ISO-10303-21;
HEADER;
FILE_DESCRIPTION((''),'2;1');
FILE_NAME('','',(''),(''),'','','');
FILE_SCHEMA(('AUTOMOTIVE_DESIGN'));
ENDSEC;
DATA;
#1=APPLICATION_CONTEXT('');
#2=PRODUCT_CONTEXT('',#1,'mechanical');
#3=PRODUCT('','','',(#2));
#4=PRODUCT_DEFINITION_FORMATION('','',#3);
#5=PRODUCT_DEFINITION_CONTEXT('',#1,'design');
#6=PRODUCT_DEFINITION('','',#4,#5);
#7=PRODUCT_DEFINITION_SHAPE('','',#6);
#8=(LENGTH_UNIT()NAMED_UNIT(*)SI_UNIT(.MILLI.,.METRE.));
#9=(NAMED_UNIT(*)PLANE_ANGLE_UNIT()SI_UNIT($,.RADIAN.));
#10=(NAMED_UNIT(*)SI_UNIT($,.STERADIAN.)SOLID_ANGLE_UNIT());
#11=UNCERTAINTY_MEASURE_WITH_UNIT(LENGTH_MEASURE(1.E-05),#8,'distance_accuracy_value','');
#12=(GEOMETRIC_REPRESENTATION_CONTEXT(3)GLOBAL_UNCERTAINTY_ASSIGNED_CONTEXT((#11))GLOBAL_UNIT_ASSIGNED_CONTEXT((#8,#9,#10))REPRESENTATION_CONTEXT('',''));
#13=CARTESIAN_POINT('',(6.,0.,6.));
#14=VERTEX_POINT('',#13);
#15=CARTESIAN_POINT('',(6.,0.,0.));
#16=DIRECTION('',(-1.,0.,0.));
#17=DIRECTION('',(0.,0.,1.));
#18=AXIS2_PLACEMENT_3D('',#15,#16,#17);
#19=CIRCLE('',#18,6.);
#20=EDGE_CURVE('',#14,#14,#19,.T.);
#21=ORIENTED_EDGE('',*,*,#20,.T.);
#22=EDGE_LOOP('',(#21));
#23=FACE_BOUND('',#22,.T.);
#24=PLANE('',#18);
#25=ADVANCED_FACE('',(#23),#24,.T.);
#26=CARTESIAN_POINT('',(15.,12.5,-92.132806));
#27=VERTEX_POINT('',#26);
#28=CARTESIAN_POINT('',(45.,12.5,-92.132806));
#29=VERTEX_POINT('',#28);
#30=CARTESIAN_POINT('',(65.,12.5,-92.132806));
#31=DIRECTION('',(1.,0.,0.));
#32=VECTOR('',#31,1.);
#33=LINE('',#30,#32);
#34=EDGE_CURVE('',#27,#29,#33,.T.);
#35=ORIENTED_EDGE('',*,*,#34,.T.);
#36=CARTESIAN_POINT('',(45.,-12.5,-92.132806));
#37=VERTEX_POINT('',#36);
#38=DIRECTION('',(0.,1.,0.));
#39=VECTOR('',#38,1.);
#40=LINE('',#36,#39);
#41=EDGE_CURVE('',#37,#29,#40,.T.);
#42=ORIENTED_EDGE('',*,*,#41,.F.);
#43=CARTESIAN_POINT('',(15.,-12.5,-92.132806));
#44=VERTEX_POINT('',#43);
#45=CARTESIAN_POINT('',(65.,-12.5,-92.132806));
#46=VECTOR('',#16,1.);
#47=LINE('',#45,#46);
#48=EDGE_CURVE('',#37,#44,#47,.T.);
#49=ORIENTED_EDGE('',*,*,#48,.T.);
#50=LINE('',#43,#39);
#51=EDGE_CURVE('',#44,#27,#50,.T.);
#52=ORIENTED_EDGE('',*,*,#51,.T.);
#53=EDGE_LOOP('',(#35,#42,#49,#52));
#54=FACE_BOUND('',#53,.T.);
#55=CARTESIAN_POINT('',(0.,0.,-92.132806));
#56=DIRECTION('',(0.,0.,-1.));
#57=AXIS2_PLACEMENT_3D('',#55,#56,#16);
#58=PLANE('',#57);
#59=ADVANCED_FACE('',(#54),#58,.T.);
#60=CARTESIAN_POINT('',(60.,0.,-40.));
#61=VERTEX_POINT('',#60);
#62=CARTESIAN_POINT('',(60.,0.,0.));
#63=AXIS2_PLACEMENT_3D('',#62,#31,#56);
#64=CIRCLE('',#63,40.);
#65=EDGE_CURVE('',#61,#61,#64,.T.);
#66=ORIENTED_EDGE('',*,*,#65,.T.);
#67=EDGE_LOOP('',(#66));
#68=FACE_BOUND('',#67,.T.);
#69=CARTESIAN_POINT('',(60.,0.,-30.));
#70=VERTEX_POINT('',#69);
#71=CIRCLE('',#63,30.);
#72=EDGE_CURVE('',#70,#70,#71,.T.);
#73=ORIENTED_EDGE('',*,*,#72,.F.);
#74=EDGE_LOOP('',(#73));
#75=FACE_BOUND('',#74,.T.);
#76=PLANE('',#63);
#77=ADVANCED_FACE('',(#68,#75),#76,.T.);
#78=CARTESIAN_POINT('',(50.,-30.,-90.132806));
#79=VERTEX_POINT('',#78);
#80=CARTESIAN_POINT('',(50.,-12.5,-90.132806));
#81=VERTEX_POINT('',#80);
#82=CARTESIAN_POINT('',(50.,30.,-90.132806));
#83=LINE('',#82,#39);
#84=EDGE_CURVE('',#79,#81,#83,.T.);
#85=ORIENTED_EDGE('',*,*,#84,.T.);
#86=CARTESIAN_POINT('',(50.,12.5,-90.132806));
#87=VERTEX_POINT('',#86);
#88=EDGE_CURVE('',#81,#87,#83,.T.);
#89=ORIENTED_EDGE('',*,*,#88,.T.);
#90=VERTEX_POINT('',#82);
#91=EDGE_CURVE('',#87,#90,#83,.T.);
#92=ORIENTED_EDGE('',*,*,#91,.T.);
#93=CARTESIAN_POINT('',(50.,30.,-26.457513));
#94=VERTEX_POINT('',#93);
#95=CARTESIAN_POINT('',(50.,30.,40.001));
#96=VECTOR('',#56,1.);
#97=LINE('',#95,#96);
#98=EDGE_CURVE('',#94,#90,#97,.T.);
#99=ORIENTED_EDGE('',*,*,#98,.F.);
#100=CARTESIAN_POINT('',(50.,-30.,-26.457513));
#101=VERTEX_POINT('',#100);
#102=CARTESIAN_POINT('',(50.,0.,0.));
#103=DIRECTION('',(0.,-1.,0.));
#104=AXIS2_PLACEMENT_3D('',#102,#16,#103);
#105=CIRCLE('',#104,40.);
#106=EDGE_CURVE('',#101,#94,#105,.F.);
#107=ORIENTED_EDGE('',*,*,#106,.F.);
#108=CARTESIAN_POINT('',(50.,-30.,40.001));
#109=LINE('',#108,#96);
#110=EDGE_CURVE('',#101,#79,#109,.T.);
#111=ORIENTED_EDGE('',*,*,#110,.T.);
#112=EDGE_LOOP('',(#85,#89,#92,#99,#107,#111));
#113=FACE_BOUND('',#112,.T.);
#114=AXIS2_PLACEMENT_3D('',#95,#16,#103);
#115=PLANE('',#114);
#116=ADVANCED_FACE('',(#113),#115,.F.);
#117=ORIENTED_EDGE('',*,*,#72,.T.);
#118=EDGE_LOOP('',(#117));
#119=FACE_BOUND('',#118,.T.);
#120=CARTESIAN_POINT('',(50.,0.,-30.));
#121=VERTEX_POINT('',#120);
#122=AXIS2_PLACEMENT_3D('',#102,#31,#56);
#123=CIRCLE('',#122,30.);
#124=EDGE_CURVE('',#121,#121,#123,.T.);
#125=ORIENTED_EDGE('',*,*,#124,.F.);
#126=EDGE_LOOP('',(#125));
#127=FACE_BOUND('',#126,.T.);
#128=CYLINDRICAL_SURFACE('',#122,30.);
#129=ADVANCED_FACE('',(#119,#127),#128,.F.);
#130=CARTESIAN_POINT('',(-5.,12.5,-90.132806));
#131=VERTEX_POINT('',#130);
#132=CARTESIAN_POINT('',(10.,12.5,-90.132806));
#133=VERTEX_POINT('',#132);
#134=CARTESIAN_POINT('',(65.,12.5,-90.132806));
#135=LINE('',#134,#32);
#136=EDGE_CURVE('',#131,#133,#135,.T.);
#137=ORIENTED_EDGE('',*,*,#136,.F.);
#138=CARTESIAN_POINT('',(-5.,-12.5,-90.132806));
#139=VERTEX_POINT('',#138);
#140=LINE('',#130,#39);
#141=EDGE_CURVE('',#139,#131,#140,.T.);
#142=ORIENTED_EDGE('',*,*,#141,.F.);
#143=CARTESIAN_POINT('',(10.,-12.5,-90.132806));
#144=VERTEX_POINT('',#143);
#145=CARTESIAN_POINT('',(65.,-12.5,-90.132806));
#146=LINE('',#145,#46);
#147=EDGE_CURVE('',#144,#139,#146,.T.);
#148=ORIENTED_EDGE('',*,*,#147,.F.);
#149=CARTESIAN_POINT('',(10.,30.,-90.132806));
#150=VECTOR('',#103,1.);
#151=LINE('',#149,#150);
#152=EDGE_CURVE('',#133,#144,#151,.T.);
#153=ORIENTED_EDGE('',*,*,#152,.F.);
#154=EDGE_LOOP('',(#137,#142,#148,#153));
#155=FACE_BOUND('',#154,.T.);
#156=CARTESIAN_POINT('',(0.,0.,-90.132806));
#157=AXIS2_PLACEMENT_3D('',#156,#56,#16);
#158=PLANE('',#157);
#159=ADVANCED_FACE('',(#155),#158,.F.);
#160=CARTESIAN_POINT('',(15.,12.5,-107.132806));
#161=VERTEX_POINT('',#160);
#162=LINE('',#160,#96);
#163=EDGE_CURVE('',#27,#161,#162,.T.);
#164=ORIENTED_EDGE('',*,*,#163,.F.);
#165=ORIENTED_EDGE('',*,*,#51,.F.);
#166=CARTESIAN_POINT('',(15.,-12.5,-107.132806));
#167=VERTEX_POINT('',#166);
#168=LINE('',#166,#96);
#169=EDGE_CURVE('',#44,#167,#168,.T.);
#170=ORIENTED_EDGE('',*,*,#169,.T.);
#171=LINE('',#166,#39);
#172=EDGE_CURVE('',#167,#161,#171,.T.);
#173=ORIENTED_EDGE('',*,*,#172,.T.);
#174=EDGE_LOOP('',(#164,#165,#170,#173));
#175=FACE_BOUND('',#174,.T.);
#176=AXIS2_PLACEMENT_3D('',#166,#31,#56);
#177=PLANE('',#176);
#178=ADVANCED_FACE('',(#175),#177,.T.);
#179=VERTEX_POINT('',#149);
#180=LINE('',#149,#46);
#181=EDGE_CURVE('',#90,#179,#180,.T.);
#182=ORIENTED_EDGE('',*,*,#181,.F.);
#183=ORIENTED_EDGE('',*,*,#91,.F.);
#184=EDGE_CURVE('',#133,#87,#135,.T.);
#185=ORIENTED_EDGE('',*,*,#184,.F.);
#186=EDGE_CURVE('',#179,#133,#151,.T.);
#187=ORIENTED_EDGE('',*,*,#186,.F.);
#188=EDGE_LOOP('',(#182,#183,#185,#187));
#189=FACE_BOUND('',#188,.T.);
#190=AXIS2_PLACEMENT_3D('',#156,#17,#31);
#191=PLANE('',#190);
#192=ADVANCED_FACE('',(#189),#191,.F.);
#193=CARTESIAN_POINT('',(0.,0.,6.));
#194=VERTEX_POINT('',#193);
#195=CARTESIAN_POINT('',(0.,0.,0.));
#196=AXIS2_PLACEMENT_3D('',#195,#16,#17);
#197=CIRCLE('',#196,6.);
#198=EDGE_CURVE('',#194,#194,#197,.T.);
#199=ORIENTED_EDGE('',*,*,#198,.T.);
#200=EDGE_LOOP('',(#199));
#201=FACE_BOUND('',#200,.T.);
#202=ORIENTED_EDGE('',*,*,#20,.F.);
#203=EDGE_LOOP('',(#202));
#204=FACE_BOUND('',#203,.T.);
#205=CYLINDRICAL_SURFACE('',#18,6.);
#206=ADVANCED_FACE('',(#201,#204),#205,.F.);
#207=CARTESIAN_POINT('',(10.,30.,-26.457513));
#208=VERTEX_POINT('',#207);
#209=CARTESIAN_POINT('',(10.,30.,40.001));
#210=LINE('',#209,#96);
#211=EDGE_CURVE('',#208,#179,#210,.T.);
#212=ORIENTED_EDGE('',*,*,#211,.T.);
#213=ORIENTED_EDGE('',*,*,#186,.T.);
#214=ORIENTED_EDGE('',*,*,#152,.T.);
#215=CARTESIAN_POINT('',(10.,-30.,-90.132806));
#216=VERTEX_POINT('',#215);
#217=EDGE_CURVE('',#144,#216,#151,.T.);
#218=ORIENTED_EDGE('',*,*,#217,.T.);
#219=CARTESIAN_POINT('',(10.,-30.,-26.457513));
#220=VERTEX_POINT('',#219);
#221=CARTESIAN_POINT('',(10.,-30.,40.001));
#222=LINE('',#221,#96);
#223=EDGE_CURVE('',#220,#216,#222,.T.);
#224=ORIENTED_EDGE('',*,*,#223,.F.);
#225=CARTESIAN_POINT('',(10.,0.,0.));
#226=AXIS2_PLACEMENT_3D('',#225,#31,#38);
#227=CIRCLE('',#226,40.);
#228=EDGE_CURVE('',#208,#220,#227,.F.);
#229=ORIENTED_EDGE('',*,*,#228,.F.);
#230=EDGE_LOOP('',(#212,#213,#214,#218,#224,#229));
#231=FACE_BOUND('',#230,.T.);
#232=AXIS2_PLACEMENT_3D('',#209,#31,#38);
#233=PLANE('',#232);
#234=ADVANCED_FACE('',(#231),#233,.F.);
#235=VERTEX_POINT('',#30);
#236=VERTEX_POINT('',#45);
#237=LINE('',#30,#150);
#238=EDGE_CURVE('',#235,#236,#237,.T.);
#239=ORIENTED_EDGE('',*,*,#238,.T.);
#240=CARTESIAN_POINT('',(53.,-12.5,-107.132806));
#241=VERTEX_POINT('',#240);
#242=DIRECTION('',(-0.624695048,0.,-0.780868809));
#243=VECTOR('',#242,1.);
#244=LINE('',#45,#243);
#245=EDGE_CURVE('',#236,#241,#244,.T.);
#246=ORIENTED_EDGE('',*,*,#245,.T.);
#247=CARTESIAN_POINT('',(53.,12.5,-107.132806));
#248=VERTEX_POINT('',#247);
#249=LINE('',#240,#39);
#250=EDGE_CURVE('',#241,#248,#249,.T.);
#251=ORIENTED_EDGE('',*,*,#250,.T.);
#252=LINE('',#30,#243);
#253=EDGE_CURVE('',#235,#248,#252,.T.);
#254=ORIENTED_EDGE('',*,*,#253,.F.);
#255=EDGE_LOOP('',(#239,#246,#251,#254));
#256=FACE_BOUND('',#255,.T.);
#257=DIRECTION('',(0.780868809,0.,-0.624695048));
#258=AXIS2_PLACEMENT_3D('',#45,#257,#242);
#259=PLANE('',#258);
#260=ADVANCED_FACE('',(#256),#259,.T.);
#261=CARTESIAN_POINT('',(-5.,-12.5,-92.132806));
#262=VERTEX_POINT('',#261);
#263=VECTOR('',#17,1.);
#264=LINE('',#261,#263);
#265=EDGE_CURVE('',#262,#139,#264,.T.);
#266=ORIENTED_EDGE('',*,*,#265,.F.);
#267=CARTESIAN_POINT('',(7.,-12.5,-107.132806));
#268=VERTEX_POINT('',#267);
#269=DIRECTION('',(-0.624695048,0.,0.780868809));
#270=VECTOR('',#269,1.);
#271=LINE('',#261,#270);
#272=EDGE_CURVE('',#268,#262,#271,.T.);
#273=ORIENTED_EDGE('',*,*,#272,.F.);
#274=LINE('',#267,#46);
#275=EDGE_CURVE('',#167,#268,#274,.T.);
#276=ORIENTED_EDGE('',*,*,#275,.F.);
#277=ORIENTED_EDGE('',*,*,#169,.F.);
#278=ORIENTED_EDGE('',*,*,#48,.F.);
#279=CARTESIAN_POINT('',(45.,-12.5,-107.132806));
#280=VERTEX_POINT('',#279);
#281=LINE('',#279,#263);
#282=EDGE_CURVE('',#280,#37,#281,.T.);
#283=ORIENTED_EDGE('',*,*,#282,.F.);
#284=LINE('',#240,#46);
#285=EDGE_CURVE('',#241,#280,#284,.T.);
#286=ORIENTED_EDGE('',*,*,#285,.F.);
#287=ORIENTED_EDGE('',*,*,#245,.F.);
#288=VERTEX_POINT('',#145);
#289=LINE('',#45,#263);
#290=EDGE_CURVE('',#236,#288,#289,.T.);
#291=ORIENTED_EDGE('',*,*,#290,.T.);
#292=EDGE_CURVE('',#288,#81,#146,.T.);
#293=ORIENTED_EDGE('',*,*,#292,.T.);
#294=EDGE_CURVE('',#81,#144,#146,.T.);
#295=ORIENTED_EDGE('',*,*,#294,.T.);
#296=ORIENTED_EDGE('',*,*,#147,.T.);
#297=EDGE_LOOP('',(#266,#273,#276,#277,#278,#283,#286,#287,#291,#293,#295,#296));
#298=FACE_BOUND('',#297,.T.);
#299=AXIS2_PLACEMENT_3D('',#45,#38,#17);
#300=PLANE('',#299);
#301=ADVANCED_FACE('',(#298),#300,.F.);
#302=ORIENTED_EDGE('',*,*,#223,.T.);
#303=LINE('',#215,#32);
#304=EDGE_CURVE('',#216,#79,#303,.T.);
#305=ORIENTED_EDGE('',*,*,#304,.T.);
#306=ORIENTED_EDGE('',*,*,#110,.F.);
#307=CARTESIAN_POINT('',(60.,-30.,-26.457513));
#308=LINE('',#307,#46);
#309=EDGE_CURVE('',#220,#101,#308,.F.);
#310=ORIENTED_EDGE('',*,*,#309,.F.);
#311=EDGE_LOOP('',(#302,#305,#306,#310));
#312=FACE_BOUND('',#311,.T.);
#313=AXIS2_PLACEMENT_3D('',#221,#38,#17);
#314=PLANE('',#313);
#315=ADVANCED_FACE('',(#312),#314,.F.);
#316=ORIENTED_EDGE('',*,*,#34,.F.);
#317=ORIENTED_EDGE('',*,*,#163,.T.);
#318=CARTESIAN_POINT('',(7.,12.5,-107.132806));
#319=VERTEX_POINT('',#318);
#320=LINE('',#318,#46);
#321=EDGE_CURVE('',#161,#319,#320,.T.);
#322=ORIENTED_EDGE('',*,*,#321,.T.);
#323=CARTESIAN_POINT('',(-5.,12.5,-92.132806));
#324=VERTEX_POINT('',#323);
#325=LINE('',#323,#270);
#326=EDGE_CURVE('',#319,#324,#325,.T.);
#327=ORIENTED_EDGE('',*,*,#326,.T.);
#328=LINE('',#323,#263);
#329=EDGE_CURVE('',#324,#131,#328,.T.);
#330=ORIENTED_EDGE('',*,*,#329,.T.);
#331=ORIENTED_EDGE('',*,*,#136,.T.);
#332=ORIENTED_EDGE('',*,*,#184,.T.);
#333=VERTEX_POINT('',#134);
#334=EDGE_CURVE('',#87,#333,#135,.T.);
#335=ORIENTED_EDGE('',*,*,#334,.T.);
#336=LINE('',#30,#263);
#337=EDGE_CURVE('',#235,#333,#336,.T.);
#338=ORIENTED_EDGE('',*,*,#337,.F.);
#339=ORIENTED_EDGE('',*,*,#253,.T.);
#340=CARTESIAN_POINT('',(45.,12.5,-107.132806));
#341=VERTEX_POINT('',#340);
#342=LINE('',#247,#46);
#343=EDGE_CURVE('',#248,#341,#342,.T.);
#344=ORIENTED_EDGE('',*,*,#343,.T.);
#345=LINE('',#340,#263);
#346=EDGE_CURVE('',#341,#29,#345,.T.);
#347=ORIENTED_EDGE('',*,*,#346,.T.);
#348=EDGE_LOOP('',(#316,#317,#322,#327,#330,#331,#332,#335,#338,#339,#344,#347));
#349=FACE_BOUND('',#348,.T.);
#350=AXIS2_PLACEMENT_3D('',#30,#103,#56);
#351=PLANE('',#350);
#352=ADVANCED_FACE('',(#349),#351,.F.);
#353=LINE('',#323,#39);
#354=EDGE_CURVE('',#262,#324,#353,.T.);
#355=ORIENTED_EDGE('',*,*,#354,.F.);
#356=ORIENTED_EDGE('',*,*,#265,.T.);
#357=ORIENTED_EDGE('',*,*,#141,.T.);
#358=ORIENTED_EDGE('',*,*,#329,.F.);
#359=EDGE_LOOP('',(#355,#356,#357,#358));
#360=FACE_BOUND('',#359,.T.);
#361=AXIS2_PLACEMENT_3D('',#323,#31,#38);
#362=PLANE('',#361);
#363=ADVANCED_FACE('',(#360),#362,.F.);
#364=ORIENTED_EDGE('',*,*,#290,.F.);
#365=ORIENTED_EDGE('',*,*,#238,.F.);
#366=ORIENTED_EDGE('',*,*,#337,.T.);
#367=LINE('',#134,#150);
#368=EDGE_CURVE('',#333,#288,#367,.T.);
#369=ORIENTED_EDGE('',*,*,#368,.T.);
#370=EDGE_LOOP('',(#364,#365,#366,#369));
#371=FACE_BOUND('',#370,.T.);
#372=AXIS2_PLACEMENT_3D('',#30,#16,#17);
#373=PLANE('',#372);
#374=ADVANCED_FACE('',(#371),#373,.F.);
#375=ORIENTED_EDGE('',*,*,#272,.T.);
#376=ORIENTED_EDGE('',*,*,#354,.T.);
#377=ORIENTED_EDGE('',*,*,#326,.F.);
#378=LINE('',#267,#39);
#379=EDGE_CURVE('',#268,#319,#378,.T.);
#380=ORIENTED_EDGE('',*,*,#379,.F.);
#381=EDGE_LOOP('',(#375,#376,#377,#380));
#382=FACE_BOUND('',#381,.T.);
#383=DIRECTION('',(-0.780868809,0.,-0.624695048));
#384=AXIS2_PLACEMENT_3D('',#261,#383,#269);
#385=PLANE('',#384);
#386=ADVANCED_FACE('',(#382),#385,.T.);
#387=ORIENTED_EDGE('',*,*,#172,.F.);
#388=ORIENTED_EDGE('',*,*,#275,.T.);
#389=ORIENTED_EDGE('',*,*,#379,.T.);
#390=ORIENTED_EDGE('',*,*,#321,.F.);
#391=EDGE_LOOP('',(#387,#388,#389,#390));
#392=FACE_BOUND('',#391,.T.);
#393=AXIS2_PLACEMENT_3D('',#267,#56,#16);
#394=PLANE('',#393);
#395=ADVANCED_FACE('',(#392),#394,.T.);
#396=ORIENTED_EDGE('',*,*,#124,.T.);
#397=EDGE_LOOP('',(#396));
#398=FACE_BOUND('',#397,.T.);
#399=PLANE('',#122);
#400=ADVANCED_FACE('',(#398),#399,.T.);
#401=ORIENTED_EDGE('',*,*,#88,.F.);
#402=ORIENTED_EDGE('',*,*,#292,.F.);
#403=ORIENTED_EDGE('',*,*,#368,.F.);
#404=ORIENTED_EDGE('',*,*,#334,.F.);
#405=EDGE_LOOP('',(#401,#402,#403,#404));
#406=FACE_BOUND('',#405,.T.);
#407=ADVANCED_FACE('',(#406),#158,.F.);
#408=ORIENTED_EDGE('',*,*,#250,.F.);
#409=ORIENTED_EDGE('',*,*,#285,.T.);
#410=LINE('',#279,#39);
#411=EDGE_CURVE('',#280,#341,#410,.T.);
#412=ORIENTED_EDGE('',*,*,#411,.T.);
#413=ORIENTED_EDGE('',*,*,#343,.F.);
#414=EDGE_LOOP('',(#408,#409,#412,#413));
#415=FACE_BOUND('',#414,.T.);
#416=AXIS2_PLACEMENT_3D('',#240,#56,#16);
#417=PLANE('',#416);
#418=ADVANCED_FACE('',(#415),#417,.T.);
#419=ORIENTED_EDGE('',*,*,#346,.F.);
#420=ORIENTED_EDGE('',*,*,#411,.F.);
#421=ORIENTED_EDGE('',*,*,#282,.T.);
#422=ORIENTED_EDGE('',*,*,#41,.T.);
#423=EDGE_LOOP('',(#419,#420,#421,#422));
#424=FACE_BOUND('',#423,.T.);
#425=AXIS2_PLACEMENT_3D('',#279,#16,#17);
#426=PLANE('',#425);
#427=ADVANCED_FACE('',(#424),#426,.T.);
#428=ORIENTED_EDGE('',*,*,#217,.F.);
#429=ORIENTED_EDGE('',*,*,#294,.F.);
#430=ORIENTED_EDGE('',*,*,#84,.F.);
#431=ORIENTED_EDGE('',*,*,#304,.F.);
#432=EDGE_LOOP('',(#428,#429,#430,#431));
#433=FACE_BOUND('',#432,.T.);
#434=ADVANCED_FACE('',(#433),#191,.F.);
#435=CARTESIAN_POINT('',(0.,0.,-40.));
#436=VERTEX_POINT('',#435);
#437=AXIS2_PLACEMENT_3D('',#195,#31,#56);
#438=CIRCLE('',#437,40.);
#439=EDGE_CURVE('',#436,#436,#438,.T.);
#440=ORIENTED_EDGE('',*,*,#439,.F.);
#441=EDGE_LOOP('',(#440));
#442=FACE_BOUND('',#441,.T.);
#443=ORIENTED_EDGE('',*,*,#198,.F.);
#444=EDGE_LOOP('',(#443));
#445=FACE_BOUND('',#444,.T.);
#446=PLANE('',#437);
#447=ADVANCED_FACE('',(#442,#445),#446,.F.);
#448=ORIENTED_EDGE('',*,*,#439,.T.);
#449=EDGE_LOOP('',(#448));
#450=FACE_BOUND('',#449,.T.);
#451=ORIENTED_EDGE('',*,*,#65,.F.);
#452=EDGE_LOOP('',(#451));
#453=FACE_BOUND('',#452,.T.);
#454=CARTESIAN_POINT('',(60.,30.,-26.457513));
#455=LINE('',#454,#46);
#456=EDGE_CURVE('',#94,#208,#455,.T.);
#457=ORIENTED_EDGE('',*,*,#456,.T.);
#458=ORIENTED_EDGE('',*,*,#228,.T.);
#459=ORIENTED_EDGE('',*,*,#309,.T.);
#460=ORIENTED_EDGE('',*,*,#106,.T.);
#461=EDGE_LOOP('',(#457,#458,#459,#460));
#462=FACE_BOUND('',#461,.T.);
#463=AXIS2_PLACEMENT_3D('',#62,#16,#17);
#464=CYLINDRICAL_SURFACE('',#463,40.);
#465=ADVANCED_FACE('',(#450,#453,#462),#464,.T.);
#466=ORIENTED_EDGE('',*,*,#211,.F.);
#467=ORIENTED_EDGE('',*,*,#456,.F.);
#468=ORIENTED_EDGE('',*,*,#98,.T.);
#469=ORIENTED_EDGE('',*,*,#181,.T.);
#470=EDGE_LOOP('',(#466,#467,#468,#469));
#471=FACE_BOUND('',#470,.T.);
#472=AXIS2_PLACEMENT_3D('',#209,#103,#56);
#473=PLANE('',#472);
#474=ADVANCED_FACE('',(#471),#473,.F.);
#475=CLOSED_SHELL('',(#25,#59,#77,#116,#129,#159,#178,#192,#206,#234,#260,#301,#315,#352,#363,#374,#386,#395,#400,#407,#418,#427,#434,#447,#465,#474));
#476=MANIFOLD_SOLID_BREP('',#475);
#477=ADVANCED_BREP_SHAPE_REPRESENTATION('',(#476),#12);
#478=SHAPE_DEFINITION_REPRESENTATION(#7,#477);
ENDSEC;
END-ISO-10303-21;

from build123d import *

# Parameters (mm, degrees)
SKETCH1_R           = 40
BOSS_EXTRUDE1_DEPTH = 60
BOSS_EXTRUDE3_REACH = 132.133
SKETCH2_W           = 40
SKETCH2_H           = 60
SKETCH3_W           = 70
SKETCH3_H           = 25
BOSS_EXTRUDE4_DEPTH = 2
BOSS_EXTRUDE5_DEPTH = 25
SKETCH8_R           = 30
CUT_EXTRUDE3_DEPTH  = 10
SKETCH9_R           = 6
CUT_EXTRUDE4_DEPTH  = 6


with BuildPart() as part:
    # Sketch1 → Boss-Extrude1 (new body)
    with BuildSketch(Plane(origin=(0, 0, 0), x_dir=(0, 0, -1), z_dir=(1, 0, 0))):
        Circle(SKETCH1_R)
    extrude(amount=BOSS_EXTRUDE1_DEPTH)

    # Sketch2 → Boss-Extrude3 (add, up to next)
    with BuildSketch(Plane.XY.offset(-90.13280569), mode=Mode.PRIVATE) as boss_extrude3_sk1:
        with Locations((30, 0)):
            Rectangle(SKETCH2_W, SKETCH2_H)
    boss_extrude3_tool1 = extrude(boss_extrude3_sk1.sketch, amount=BOSS_EXTRUDE3_REACH, mode=Mode.PRIVATE) - part.part
    add(boss_extrude3_tool1.solids().sort_by_distance((30, 0, -90.132806))[0])

    # Sketch3 → Boss-Extrude4 (add)
    with BuildSketch(Plane(origin=(0, 0, -90.13280569), x_dir=(-1, 0, 0), z_dir=(0, 0, -1))):
        with Locations((-30, 0)):
            Rectangle(SKETCH3_W, SKETCH3_H)
    extrude(amount=BOSS_EXTRUDE4_DEPTH)

    # Sketch5 → Boss-Extrude5 (add)
    with BuildSketch(Plane(origin=(0, 12.5, 0), x_dir=(1, 0, 0), z_dir=(0, 1, 0))):
        Polygon((-5, 92.13280569), (7, 107.13280569), (15, 107.13280569), (15, 92.13280569), align=None)
        Polygon((45, 107.13280569), (45, 92.13280569), (65, 92.13280569), (53, 107.13280569), align=None)
    extrude(amount=-BOSS_EXTRUDE5_DEPTH)

    # Sketch8 → Cut-Extrude3 (cut)
    with BuildSketch(Plane(origin=(60, 0, 0), x_dir=(0, 0, -1), z_dir=(1, 0, 0))):
        Circle(SKETCH8_R)
    extrude(amount=-CUT_EXTRUDE3_DEPTH, mode=Mode.SUBTRACT)

    # Sketch9 → Cut-Extrude4 (cut)
    with BuildSketch(Plane.ZY):
        Circle(SKETCH9_R)
    extrude(amount=-CUT_EXTRUDE4_DEPTH, mode=Mode.SUBTRACT)


solid = part.part
